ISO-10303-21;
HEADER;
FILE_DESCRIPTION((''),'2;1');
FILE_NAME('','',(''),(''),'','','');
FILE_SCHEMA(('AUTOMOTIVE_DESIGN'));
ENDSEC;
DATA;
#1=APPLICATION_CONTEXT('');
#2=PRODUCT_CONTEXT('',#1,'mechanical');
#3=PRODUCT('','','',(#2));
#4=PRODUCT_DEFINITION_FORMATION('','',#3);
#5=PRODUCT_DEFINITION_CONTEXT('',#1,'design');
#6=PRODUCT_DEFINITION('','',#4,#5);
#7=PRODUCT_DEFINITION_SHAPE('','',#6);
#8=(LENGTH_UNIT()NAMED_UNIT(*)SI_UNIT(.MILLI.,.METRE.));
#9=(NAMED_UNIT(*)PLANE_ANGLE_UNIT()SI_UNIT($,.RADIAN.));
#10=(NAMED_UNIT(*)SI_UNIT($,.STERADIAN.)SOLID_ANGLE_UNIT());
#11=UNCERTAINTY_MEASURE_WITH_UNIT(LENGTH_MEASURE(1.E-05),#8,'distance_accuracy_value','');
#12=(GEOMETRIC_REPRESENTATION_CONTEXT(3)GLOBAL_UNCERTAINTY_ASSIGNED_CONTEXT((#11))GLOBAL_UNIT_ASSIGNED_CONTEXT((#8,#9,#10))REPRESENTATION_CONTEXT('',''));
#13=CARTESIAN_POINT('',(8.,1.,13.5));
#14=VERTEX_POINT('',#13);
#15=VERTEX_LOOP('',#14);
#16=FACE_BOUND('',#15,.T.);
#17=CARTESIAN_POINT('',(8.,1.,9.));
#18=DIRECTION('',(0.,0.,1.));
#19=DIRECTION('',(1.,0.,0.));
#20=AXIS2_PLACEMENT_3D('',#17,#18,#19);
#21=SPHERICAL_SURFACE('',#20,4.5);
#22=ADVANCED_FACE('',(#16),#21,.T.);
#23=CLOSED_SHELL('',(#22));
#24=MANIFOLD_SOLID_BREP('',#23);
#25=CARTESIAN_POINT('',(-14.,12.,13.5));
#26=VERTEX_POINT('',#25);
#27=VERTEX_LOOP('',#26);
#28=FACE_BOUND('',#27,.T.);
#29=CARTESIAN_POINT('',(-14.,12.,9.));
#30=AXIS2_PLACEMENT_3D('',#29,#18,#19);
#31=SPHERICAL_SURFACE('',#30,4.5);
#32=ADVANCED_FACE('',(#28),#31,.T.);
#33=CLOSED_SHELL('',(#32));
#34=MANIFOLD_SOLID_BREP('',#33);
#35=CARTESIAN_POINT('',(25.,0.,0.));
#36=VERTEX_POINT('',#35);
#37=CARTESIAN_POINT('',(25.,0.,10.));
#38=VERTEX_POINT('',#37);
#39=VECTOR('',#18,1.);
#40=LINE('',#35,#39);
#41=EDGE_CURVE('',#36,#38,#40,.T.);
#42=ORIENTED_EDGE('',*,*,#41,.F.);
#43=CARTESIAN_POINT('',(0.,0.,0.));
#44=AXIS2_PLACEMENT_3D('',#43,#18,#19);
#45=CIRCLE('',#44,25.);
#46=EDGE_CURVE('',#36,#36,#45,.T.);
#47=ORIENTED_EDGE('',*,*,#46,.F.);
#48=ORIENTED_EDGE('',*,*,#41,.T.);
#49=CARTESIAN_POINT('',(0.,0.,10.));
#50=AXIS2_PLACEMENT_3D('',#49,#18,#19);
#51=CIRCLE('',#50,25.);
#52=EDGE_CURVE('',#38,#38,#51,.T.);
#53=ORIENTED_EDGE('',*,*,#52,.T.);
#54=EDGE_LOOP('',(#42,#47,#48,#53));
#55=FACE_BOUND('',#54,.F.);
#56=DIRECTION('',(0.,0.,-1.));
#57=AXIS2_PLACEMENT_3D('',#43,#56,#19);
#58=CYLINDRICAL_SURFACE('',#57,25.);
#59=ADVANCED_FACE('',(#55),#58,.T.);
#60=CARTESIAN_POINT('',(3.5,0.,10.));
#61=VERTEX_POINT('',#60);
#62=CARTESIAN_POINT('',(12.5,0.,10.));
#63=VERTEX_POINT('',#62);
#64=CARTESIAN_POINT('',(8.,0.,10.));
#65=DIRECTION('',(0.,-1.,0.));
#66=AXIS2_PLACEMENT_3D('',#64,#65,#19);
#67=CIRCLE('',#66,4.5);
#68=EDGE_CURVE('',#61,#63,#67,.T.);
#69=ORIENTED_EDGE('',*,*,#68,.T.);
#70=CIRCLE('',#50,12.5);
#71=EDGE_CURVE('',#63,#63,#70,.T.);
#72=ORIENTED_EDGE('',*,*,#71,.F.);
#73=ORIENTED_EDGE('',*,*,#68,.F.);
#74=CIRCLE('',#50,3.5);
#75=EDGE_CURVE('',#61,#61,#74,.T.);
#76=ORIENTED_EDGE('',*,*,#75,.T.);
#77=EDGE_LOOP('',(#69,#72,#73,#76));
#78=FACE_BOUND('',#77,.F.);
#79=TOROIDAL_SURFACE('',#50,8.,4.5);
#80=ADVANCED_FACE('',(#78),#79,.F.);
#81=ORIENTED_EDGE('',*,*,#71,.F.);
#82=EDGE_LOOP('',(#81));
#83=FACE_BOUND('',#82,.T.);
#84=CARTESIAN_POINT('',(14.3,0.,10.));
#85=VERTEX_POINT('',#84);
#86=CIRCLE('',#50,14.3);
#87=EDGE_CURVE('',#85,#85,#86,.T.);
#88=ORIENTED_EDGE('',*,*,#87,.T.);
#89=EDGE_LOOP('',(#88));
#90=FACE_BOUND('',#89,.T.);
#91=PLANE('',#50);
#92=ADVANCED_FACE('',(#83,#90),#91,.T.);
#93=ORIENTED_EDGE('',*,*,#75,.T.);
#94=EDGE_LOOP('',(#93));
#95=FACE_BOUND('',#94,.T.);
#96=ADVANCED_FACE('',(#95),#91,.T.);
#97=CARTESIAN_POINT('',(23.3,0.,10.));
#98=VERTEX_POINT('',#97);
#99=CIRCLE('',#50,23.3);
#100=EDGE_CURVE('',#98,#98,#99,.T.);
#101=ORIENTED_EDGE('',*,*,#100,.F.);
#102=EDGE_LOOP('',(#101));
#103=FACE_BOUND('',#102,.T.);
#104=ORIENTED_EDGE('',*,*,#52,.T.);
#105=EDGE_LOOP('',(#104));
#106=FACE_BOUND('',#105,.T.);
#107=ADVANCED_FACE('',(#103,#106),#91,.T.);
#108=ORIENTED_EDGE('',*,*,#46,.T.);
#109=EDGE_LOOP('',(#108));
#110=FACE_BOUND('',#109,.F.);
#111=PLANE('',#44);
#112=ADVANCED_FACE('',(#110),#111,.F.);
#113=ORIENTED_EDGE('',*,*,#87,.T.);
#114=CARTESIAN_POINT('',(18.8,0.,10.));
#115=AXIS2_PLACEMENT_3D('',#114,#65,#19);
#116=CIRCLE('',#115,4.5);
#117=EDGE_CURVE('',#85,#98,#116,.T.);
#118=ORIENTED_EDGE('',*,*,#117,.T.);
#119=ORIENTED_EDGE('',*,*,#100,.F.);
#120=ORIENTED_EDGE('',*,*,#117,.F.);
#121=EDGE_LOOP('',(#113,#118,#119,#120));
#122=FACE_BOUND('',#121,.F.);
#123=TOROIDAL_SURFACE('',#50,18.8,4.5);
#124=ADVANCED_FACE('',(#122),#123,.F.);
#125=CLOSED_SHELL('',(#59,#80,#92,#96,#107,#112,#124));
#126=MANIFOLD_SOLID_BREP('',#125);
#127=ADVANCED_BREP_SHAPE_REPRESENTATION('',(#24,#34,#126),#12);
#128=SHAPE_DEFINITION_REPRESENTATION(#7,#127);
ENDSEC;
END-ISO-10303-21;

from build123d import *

# Parameters (mm, degrees)
TORUS001_R     = 4.5
TORUS_R        = 4.5
CYLINDER_R     = 25
CYLINDER_DEPTH = 10


with BuildPart() as torus001:
    # Torus001 → Torus001 (revolve)
    with BuildSketch(Plane(origin=(0, 0, 10), x_dir=(1, 0, 0), z_dir=(0, -1, 0))):
        with Locations((18.8, 0)):
            Circle(TORUS001_R)
    revolve(axis=Axis((0, 0, 10), (0, 0, 1)))


with BuildPart() as torus:
    # Torus → Torus (revolve)
    with BuildSketch(Plane(origin=(0, 0, 10), x_dir=(1, 0, 0), z_dir=(0, -1, 0))):
        with Locations((8, 0)):
            Circle(TORUS_R)
    revolve(axis=Axis((0, 0, 10), (0, 0, 1)))


with BuildPart() as guarda_caniques:
    # Cylinder → Cylinder (new body)
    with BuildSketch(Plane.XY):
        Circle(CYLINDER_R)
    extrude(amount=CYLINDER_DEPTH)

    # Cut: cut Torus
    add(torus.part, mode=Mode.SUBTRACT)

    # Cut001: cut Torus001
    add(torus001.part, mode=Mode.SUBTRACT)


with BuildPart() as sphere:
    # Sphere → Sphere (revolve)
    with BuildSketch(Plane(origin=(8, 1, 9), x_dir=(1, 0, 0), z_dir=(0, -1, 0))):
        with BuildLine():
            ThreePointArc((0, -4.5), (4.5, 0), (0, 4.5))
            Line((0, 4.5), (0, -4.5))
        make_face()
    revolve(axis=Axis((8, 1, 9), (0, 0, 1)))


with BuildPart() as sphere001:
    # Sphere001 → Sphere001 (revolve)
    with BuildSketch(Plane(origin=(-14, 12, 9), x_dir=(1, 0, 0), z_dir=(0, -1, 0))):
        with BuildLine():
            ThreePointArc((0, -4.5), (4.5, 0), (0, 4.5))
            Line((0, 4.5), (0, -4.5))
        make_face()
    revolve(axis=Axis((-14, 12, 9), (0, 0, 1)))


solid = Compound([guarda_caniques.part, sphere.part, sphere001.part])
